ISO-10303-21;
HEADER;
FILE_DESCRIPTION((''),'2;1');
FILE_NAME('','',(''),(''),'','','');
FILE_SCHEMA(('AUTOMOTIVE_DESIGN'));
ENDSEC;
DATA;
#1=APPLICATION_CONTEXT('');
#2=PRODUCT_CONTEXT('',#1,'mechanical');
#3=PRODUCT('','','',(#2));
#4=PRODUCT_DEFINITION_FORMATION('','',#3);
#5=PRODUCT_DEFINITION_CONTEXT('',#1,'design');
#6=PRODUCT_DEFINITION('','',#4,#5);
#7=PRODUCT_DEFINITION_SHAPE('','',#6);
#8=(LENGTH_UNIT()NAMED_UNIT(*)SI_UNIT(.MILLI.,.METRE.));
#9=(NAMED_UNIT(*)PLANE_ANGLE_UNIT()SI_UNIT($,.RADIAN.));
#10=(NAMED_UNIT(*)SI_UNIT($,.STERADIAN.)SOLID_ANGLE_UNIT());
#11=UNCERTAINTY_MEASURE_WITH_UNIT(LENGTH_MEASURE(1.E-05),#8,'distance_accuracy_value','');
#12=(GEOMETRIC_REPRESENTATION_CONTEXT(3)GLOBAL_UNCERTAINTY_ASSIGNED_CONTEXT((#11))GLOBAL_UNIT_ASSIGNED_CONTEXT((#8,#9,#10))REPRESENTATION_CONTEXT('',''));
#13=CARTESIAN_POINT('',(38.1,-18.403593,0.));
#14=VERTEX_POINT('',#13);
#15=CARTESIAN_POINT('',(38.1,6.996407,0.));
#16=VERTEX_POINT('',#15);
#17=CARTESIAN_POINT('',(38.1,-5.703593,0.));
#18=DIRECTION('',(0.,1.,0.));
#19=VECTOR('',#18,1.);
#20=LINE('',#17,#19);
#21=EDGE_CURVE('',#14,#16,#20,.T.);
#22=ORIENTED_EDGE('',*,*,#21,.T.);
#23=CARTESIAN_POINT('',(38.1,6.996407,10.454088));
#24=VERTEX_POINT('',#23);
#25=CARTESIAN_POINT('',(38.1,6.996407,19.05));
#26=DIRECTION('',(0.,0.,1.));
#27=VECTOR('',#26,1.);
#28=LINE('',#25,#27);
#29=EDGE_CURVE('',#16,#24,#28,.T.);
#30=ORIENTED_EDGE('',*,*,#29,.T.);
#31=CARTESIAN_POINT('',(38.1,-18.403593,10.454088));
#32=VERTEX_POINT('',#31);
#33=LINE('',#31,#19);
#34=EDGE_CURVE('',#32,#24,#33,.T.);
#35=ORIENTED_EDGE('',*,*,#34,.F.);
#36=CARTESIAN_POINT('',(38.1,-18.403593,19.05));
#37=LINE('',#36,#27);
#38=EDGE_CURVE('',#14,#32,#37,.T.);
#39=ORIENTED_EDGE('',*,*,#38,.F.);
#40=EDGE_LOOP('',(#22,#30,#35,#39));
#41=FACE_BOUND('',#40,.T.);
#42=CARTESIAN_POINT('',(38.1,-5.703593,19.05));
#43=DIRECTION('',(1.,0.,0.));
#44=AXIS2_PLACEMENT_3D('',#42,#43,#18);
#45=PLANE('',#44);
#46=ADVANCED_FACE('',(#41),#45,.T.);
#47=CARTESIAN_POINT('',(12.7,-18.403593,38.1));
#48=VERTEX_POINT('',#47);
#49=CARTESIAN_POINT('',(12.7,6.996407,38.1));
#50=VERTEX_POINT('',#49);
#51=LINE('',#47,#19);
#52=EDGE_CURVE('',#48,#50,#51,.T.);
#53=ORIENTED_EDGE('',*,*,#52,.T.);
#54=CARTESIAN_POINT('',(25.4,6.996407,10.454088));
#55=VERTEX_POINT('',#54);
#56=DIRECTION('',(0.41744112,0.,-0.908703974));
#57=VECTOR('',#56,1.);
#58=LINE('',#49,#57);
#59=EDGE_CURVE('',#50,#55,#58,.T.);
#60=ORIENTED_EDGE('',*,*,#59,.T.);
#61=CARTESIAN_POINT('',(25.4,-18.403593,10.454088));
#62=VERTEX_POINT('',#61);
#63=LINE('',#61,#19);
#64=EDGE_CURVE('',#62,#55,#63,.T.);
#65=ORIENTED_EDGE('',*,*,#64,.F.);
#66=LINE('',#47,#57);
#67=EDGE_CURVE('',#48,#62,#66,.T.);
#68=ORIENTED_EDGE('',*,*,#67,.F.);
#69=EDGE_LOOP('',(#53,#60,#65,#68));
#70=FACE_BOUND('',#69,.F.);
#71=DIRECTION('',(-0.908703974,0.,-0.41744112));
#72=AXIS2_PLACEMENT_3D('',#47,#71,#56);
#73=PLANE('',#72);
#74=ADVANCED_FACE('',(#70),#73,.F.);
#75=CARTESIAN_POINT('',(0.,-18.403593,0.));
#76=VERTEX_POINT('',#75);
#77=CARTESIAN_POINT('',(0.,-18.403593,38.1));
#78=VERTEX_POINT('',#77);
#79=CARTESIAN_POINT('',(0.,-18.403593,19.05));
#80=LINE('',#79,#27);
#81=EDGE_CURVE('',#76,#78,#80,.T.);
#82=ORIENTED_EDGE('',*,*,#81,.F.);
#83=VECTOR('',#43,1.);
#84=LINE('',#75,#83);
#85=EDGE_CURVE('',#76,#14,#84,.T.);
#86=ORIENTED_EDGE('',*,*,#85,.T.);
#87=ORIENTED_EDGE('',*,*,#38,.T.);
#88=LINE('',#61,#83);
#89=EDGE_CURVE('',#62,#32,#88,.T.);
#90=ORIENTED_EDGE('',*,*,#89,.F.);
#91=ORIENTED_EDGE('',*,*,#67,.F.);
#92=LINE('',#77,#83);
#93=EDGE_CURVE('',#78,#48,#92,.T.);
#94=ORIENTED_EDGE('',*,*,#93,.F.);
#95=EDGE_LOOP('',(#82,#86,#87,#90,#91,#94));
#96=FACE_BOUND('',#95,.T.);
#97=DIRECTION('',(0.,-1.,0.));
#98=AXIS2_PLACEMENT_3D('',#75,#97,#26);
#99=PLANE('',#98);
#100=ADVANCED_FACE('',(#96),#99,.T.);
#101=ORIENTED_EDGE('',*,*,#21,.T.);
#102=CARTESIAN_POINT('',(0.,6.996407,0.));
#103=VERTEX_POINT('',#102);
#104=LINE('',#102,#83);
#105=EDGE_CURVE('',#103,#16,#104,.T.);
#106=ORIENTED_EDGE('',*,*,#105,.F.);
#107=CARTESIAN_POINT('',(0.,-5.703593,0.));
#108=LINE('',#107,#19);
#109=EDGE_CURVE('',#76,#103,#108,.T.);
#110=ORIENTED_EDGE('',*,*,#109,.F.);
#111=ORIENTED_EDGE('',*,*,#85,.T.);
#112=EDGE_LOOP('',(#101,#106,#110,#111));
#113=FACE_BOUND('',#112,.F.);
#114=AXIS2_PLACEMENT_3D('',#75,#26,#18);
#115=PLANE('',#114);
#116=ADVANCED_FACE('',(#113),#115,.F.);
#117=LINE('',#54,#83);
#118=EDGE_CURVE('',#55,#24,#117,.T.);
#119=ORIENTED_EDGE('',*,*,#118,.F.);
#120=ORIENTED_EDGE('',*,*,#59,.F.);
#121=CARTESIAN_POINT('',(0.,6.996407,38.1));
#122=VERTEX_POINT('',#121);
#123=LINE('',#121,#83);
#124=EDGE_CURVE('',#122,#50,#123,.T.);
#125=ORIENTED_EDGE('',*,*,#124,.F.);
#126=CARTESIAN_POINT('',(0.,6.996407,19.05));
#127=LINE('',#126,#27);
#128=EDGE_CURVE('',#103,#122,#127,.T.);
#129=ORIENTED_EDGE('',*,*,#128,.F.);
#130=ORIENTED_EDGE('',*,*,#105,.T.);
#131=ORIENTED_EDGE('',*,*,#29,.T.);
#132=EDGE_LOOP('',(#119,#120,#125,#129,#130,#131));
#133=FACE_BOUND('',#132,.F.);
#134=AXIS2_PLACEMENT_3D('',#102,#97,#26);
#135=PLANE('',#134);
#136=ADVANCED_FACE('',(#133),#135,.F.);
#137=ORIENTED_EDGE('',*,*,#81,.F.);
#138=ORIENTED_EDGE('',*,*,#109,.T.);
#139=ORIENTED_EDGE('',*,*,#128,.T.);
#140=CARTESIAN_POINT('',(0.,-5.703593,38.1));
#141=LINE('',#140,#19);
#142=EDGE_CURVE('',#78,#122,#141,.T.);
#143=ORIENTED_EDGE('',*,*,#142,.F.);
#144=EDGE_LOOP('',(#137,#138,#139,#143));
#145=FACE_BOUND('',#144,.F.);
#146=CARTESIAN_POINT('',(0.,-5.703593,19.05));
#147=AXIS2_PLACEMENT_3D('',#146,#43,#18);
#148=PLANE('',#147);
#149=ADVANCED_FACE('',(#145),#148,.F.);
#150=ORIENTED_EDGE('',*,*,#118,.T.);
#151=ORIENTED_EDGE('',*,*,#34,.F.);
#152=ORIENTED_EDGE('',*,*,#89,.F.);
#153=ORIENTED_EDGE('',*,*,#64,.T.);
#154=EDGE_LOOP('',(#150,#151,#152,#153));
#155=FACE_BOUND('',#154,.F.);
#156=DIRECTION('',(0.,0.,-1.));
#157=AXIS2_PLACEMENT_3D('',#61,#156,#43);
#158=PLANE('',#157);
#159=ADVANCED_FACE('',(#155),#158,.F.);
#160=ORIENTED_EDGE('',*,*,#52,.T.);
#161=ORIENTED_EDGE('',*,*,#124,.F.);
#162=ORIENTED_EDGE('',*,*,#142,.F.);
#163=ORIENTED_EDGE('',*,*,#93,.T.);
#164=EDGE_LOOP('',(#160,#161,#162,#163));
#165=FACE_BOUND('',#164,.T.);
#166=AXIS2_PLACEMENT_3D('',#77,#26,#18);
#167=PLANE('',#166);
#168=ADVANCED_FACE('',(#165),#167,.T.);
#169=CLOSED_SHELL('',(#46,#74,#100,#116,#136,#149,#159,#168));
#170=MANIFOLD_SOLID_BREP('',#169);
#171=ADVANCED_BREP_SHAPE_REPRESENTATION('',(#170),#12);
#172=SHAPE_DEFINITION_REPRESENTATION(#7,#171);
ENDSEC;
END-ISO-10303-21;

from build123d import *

# Parameters (mm, degrees)
F0_W     = 25.4
F0_H     = 38.1
F1_DEPTH = 38.1
F3_DEPTH = 25.4


with BuildPart() as f1:
    # F0 (on Right) → F1 (new body)
    with BuildSketch(Plane.YZ):
        with Locations((-5.703593, 19.05)):
            Rectangle(F0_W, F0_H)
    extrude(amount=F1_DEPTH)

    # F2 (on face) → F3 (cut)
    with BuildSketch(Plane.XZ.offset(18.403593)):
        Polygon((38.1, 38.1), (12.7, 38.1), (25.4, 10.454088), (38.1, 10.454088), align=None)
    extrude(amount=-F3_DEPTH, mode=Mode.SUBTRACT)


solid = f1.part
